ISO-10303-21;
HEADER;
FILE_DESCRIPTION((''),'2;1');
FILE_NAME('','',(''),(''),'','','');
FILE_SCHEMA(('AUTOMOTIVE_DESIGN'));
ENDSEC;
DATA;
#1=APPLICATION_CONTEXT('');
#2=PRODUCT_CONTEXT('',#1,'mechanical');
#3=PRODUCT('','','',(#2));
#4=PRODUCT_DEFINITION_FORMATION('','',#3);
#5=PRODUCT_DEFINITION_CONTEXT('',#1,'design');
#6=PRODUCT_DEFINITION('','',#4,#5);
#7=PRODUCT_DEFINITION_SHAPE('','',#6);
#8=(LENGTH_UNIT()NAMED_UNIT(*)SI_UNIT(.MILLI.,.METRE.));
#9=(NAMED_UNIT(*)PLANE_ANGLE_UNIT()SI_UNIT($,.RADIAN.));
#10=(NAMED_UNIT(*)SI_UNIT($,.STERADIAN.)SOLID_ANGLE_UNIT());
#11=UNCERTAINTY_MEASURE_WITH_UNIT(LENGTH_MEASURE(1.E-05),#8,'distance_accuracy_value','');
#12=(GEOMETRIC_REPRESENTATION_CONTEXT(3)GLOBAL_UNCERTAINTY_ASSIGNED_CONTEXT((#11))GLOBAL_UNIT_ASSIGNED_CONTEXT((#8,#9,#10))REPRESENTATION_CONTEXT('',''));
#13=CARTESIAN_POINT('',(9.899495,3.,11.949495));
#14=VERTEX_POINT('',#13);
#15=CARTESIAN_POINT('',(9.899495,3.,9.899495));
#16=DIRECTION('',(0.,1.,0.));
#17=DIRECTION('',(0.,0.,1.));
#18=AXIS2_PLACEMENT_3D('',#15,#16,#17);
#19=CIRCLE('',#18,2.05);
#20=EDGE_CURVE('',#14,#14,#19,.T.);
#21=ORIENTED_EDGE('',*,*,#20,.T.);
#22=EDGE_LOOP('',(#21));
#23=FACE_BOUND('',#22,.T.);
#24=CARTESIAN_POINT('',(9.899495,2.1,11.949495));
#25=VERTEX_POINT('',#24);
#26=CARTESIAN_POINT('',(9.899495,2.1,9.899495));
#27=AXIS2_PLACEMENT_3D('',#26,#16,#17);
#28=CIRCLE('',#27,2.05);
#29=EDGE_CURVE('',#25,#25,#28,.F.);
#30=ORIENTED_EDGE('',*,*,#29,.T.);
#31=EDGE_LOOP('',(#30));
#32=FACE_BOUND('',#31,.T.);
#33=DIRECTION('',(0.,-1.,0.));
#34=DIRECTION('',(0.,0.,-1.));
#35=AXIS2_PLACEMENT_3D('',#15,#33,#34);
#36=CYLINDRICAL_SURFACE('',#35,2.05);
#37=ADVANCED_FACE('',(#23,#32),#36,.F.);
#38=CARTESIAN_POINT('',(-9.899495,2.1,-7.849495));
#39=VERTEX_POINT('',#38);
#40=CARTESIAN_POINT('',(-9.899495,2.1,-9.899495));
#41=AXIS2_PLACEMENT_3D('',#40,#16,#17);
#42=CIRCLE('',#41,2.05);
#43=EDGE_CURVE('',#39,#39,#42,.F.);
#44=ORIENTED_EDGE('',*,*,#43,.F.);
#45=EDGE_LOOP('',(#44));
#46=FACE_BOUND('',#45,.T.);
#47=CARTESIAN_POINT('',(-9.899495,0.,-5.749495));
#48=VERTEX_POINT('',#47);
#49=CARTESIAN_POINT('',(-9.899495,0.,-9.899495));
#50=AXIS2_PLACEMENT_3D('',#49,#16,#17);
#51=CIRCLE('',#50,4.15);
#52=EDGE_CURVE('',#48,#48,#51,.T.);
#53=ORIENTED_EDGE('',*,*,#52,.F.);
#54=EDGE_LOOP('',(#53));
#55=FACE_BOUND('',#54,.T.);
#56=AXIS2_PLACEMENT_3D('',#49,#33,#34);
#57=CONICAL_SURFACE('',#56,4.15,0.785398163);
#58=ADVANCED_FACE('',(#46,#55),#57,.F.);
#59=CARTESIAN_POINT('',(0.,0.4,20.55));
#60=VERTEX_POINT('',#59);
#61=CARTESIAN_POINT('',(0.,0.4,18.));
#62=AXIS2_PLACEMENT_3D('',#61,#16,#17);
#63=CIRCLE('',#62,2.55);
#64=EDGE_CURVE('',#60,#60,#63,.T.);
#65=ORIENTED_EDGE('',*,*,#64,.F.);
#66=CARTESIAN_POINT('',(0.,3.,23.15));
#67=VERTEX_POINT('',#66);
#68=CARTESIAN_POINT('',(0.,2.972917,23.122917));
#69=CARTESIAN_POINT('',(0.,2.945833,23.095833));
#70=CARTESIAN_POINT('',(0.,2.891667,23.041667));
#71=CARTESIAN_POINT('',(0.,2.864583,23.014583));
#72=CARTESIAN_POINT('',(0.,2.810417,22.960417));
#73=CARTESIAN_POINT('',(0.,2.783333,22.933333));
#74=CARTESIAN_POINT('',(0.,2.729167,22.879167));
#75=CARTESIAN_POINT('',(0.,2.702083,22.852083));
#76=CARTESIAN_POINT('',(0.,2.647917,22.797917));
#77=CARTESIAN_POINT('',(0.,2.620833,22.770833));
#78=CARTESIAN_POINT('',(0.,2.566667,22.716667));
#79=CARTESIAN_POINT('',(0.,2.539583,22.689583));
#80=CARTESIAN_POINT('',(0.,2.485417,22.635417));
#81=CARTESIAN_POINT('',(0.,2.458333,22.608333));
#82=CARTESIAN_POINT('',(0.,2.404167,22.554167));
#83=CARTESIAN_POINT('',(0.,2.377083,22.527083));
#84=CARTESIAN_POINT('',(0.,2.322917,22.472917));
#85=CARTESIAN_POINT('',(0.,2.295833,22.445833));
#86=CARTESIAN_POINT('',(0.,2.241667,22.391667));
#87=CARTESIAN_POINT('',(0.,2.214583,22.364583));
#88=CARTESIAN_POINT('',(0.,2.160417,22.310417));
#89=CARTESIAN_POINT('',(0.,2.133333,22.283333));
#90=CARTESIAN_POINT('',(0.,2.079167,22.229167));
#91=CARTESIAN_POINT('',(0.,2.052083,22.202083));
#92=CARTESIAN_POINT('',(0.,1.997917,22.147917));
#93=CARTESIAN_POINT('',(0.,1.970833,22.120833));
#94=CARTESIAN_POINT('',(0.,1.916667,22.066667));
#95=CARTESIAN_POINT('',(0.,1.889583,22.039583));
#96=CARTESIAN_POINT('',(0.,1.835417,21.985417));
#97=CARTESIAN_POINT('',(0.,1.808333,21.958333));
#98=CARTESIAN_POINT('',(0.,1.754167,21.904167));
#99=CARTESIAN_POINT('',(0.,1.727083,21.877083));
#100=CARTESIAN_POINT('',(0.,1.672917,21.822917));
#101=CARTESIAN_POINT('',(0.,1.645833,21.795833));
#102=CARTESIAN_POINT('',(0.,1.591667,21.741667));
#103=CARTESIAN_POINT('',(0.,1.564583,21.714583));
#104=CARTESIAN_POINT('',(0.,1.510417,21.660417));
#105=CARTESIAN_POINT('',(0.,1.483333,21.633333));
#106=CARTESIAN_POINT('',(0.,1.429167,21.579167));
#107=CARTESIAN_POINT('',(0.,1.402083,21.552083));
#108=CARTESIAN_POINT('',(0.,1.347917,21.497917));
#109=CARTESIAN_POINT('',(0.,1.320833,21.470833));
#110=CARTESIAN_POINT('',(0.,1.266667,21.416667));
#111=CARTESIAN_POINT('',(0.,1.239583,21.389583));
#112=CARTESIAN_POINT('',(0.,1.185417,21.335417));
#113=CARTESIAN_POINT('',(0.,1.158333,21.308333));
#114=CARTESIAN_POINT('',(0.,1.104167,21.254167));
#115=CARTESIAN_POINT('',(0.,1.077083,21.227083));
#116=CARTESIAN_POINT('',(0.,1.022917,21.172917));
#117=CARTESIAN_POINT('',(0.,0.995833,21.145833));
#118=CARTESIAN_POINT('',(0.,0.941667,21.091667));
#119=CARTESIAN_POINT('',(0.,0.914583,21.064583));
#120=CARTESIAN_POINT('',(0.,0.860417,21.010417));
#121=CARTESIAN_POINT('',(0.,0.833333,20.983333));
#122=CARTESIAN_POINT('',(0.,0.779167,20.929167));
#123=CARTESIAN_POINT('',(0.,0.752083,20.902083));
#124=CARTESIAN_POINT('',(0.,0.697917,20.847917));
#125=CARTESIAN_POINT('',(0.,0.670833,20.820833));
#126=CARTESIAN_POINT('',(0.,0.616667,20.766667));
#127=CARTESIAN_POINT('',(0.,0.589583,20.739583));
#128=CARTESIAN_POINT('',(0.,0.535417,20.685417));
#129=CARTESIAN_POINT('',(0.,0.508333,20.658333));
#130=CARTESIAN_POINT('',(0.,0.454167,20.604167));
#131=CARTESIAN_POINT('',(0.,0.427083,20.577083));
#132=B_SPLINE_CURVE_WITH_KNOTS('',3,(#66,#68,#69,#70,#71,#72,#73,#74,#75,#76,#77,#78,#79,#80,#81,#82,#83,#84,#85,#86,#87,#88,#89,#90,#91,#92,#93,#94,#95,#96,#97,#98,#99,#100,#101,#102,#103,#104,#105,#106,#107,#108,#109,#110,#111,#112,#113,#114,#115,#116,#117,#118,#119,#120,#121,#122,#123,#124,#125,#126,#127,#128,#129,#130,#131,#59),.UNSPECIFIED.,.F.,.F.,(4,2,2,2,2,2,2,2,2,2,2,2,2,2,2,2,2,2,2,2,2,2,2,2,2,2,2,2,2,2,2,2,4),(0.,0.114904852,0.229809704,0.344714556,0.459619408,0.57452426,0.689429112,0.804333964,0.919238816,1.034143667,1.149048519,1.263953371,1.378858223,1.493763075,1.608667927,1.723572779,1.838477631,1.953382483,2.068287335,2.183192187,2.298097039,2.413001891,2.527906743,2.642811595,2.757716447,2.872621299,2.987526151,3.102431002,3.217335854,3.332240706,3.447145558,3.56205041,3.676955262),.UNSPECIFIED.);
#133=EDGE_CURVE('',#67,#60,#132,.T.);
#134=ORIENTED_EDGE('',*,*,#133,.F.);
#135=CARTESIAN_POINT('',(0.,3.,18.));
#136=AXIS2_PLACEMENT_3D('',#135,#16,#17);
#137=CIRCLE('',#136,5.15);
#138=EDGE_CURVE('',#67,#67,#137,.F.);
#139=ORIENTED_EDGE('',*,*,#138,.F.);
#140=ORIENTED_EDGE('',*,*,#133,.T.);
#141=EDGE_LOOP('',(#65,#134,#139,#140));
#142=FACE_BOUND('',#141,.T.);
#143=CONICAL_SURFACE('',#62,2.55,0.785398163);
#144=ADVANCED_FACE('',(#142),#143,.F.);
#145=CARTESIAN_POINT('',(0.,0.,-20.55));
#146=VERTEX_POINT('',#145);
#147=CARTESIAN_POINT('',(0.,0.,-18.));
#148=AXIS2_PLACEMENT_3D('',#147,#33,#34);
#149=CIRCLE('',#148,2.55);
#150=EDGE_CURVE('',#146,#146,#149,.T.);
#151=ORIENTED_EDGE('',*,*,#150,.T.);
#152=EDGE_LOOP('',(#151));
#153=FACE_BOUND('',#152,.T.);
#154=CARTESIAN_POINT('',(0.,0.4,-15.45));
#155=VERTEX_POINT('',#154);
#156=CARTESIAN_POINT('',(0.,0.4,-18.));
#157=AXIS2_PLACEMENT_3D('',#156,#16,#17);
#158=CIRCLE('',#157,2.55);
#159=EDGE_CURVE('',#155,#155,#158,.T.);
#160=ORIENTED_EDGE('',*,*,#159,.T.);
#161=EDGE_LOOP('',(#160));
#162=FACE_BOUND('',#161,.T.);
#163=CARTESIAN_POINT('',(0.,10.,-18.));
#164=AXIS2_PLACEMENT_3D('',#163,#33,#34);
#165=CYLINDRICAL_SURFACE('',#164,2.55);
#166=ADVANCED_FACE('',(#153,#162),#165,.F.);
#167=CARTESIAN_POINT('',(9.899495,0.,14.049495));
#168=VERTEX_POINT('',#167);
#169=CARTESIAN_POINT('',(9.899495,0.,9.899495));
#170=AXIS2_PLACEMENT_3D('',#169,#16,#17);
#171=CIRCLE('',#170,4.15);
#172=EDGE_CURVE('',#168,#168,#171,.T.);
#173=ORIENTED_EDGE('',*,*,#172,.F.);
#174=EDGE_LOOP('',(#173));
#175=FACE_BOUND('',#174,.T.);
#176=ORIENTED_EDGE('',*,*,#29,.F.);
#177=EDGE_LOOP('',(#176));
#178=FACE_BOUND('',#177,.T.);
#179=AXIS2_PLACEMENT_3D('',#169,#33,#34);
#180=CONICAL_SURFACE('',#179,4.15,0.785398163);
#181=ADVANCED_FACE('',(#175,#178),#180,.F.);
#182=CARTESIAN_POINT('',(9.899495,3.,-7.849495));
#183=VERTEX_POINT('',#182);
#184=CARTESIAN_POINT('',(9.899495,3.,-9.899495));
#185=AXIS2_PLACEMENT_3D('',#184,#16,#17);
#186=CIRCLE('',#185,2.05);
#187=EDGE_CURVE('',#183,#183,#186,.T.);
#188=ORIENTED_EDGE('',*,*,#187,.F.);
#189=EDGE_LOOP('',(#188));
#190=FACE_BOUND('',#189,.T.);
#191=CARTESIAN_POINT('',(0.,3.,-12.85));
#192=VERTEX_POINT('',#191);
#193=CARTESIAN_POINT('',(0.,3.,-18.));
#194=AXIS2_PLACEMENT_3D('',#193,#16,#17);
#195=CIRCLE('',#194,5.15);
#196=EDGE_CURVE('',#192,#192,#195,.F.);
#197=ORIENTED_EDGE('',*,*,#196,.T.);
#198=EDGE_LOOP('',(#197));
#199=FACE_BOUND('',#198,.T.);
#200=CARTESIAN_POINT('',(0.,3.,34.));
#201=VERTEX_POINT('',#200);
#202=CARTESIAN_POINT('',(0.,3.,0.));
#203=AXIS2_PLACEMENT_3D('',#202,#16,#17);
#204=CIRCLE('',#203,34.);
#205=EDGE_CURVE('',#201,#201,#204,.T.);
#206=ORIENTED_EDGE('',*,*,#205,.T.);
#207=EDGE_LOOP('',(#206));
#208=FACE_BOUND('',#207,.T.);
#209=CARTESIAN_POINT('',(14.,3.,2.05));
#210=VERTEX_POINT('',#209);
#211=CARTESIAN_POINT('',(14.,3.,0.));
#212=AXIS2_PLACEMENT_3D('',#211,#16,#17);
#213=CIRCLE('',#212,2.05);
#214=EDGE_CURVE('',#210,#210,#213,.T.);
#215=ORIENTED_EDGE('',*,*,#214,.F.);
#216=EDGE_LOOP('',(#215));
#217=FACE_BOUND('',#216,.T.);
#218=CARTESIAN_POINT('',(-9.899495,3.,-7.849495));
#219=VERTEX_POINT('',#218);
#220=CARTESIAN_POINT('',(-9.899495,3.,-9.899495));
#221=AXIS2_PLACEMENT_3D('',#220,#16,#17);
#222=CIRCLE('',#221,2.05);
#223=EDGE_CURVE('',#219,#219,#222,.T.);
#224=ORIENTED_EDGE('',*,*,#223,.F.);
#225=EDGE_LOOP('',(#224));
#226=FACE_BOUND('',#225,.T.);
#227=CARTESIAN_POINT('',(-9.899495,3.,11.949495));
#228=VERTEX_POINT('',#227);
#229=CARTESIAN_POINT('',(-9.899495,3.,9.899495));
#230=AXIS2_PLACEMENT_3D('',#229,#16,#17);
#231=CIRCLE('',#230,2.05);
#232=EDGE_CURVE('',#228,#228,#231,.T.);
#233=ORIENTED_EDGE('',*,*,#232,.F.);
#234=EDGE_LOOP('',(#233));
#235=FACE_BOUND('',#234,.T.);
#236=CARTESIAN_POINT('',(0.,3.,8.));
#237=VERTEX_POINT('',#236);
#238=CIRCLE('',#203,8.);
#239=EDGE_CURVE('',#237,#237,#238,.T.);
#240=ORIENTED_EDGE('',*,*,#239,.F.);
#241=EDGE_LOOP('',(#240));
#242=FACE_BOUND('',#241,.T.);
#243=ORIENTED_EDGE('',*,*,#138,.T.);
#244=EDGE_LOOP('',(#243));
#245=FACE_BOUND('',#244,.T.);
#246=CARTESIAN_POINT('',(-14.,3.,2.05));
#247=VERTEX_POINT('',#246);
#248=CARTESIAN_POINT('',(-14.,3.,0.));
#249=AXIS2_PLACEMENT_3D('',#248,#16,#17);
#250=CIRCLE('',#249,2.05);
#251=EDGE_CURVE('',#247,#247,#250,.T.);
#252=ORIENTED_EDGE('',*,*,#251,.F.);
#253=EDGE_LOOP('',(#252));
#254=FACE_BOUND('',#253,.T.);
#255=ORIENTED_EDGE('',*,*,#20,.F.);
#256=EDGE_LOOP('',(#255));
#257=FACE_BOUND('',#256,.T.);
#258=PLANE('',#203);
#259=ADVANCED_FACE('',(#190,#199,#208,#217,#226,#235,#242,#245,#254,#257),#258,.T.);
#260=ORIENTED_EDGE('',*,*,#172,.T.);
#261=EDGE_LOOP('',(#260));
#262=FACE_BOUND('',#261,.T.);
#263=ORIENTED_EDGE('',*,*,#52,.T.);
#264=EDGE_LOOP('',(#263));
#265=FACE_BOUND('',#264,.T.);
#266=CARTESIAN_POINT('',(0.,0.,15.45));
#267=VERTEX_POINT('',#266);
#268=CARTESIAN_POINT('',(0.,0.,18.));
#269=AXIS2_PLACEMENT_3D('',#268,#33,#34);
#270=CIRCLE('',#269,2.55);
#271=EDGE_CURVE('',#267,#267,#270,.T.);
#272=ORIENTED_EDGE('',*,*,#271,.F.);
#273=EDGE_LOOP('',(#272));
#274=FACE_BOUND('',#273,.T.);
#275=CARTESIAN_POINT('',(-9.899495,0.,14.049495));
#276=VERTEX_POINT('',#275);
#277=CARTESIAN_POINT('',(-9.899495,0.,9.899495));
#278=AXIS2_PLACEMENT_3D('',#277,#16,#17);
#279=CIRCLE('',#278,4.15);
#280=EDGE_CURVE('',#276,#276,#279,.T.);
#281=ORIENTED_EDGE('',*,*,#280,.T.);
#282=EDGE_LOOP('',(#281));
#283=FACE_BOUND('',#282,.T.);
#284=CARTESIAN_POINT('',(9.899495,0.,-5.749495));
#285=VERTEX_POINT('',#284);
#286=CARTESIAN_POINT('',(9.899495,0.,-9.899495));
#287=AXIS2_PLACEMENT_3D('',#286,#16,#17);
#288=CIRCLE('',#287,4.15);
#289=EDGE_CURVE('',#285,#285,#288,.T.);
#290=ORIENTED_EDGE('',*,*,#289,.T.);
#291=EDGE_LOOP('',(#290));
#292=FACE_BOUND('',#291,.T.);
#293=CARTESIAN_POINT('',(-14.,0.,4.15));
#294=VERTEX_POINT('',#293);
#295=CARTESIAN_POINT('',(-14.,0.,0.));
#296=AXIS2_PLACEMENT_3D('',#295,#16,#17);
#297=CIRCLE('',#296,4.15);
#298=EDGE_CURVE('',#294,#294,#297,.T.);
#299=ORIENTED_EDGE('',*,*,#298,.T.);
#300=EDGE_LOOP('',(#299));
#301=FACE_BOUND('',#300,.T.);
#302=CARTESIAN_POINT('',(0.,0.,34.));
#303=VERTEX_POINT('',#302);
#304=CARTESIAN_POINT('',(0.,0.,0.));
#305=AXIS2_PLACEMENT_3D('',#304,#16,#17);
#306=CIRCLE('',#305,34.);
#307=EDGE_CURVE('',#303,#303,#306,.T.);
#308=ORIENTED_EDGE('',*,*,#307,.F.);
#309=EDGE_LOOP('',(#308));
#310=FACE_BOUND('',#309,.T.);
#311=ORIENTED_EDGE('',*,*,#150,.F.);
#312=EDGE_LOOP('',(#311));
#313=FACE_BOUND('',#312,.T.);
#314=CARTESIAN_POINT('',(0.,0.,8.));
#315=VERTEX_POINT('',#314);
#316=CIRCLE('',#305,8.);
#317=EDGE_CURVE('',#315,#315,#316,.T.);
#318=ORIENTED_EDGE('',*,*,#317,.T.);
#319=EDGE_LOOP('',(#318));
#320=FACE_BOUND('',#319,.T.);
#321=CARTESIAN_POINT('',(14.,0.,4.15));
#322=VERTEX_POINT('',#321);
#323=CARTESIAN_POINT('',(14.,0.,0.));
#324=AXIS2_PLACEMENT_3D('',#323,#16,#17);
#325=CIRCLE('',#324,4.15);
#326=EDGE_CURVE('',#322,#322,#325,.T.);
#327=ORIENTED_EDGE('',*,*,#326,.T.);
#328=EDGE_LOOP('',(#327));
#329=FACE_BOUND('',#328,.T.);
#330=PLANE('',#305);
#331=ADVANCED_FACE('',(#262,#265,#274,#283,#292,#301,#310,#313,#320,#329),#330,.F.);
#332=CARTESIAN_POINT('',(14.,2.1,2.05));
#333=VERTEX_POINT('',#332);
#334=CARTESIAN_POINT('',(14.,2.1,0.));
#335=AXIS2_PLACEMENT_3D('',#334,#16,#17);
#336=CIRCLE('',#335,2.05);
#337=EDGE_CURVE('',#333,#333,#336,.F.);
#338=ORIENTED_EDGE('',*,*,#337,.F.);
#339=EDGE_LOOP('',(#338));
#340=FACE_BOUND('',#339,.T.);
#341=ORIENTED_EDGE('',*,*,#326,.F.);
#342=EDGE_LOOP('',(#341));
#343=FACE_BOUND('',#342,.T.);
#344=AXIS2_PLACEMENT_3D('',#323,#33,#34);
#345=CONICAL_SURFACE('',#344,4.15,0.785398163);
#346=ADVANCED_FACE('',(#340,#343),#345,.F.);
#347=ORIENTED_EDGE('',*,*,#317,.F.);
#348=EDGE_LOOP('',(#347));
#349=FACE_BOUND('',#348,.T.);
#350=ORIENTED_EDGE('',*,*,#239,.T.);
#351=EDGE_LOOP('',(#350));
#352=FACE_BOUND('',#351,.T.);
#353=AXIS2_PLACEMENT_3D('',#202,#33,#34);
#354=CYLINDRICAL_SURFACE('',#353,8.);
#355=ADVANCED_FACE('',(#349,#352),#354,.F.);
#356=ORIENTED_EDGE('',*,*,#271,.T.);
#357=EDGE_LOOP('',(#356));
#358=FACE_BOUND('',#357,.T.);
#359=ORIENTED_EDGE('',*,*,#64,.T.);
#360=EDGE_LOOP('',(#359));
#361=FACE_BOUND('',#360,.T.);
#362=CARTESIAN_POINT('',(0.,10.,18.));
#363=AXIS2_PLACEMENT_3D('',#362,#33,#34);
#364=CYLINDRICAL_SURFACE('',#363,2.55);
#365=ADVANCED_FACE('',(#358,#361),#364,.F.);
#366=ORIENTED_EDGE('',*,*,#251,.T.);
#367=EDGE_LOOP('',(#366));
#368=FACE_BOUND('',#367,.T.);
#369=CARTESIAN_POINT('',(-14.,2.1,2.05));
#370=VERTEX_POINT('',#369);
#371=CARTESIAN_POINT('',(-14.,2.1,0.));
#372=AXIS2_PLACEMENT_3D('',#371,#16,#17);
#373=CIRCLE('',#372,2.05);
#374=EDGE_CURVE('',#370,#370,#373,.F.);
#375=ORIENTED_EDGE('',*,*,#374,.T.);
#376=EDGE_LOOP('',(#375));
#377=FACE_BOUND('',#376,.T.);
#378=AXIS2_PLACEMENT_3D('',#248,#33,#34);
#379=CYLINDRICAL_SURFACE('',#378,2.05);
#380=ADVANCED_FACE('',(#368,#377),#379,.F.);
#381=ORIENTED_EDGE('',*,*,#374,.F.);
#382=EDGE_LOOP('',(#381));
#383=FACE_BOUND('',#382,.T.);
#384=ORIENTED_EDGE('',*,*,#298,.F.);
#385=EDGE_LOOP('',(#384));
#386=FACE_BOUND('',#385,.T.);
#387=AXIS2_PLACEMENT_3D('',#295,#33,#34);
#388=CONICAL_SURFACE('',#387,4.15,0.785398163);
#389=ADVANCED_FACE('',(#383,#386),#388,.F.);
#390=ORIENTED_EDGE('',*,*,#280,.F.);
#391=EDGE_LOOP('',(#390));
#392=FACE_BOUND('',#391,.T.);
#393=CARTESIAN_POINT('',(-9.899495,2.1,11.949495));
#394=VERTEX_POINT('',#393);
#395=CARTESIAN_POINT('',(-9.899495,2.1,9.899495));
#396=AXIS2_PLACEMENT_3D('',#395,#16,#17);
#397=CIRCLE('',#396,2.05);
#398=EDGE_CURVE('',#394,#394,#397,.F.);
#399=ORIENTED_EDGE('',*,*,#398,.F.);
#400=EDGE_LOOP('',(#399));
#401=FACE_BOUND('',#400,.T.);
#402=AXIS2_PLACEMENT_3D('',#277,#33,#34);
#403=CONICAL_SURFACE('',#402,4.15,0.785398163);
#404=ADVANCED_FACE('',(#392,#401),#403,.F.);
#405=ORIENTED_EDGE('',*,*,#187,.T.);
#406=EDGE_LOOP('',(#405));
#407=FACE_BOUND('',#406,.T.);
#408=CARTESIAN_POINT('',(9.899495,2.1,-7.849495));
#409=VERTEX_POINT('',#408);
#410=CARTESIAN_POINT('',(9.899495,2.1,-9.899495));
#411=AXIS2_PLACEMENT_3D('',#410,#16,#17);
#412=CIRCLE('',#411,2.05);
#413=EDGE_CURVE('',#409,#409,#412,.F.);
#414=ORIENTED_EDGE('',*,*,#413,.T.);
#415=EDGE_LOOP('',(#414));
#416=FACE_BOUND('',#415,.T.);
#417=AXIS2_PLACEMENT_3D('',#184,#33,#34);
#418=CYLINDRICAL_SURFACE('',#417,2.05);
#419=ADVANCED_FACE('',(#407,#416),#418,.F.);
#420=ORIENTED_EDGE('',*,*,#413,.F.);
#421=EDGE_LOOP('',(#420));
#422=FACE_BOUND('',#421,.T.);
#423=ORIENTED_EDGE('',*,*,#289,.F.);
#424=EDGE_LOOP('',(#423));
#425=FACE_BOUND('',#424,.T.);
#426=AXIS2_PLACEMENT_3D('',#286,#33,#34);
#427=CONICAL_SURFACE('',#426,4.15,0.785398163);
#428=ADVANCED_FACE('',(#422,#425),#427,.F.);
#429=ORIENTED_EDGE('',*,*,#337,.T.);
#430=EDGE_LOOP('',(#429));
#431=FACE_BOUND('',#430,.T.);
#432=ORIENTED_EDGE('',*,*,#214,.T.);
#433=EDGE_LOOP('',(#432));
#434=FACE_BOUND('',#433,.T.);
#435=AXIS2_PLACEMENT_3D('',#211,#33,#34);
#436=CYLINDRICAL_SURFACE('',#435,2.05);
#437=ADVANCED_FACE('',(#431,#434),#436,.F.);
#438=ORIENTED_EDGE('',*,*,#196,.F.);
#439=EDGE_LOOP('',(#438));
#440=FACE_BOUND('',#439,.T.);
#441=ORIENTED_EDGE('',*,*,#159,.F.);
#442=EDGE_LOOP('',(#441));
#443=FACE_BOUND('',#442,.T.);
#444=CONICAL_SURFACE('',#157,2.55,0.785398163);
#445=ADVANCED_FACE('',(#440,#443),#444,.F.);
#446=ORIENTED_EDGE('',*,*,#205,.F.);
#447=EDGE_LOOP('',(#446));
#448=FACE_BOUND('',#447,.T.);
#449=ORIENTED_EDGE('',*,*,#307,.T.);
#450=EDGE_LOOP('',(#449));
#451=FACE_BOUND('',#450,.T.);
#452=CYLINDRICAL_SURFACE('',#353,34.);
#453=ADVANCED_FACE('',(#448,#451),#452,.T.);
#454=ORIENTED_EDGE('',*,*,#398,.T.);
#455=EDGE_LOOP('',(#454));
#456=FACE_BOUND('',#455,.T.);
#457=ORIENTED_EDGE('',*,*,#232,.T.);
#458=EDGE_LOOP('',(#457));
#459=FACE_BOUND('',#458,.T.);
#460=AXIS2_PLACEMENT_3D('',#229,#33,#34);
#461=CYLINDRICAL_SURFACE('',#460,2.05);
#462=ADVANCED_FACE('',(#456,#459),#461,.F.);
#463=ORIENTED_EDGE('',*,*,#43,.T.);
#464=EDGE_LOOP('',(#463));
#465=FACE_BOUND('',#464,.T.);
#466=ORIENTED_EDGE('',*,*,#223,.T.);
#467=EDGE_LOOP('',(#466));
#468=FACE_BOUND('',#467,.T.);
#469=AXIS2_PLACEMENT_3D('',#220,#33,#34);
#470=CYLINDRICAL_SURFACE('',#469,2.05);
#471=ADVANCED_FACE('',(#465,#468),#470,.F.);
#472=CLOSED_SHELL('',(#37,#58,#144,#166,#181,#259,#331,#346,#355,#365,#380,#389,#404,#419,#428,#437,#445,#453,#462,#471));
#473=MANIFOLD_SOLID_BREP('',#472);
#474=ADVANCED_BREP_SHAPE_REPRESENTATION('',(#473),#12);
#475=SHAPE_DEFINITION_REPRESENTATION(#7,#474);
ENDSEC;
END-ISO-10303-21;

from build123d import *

# Parameters (mm, degrees)
SKETCH_1_R          = 34
SKETCH_1_R_2        = 8
SKETCH_1_R_3        = 2.05
EXTRUDE_1_DEPTH     = 3
SKETCH_2_R          = 2.55
CUT_EXTRUDE_1_DEPTH = 10
CHAMFER_1_SIZE      = 2.1
CHAMFER_2_SIZE      = 2.6


with BuildPart() as part:
    # 草图1 → 凸台-拉伸1 (new body)
    with BuildSketch(Plane(origin=(0, 0, 0), x_dir=(1, 0, 0), z_dir=(0, 1, 0))):
        with Locations(Location((0, 0, 0), (0, 0, 270))):
            Circle(SKETCH_1_R)
        with Locations(Location((0, 0, 0), (0, 0, 270))):
            Circle(SKETCH_1_R_2, mode=Mode.SUBTRACT)
        with Locations(Location((9.899494937, 9.899494937, 0), (0, 0, 270))):
            Circle(SKETCH_1_R_3, mode=Mode.SUBTRACT)
        with Locations(Location((14, 0, 0), (0, 0, 270))):
            Circle(SKETCH_1_R_3, mode=Mode.SUBTRACT)
        with Locations(Location((9.899494937, -9.899494937, 0), (0, 0, 270))):
            Circle(SKETCH_1_R_3, mode=Mode.SUBTRACT)
        with Locations(Location((-9.899494937, -9.899494937, 0), (0, 0, 270))):
            Circle(SKETCH_1_R_3, mode=Mode.SUBTRACT)
        with Locations(Location((-14, 0, 0), (0, 0, 270))):
            Circle(SKETCH_1_R_3, mode=Mode.SUBTRACT)
        with Locations(Location((-9.899494937, 9.899494937, 0), (0, 0, 270))):
            Circle(SKETCH_1_R_3, mode=Mode.SUBTRACT)
    extrude(amount=EXTRUDE_1_DEPTH)

    # 草图2 → 切除-拉伸1 (cut)
    with BuildSketch(Plane(origin=(0, 0, 0), x_dir=(-1, 0, 0), z_dir=(0, -1, 0))):
        with Locations(Location((0, 18, 0), (0, 0, 90))):
            Circle(SKETCH_2_R)
        with Locations(Location((0, -18, 0), (0, 0, 90))):
            Circle(SKETCH_2_R)
    extrude(amount=-CUT_EXTRUDE_1_DEPTH, mode=Mode.SUBTRACT)

    # 倒角1
    chamfer_1_edges = [part.edges().sort_by_distance(p)[0] for p in [
        (-9.899494937, 0, 7.849494937),
        (9.899494937, 0, -11.949494937),
        (14, 0, -2.05),
        (9.899494937, 0, 7.849494937),
        (-9.899494937, 0, -11.949494937),
        (-14, 0, -2.05),
    ]]
    chamfer(chamfer_1_edges, length=CHAMFER_1_SIZE)

    # 倒角2
    chamfer_2_edges = [part.edges().sort_by_distance(p)[0] for p in [
        (0, 3, -15.45),
        (0, 3, 20.55),
    ]]
    chamfer(chamfer_2_edges, length=CHAMFER_2_SIZE)


solid = part.part
